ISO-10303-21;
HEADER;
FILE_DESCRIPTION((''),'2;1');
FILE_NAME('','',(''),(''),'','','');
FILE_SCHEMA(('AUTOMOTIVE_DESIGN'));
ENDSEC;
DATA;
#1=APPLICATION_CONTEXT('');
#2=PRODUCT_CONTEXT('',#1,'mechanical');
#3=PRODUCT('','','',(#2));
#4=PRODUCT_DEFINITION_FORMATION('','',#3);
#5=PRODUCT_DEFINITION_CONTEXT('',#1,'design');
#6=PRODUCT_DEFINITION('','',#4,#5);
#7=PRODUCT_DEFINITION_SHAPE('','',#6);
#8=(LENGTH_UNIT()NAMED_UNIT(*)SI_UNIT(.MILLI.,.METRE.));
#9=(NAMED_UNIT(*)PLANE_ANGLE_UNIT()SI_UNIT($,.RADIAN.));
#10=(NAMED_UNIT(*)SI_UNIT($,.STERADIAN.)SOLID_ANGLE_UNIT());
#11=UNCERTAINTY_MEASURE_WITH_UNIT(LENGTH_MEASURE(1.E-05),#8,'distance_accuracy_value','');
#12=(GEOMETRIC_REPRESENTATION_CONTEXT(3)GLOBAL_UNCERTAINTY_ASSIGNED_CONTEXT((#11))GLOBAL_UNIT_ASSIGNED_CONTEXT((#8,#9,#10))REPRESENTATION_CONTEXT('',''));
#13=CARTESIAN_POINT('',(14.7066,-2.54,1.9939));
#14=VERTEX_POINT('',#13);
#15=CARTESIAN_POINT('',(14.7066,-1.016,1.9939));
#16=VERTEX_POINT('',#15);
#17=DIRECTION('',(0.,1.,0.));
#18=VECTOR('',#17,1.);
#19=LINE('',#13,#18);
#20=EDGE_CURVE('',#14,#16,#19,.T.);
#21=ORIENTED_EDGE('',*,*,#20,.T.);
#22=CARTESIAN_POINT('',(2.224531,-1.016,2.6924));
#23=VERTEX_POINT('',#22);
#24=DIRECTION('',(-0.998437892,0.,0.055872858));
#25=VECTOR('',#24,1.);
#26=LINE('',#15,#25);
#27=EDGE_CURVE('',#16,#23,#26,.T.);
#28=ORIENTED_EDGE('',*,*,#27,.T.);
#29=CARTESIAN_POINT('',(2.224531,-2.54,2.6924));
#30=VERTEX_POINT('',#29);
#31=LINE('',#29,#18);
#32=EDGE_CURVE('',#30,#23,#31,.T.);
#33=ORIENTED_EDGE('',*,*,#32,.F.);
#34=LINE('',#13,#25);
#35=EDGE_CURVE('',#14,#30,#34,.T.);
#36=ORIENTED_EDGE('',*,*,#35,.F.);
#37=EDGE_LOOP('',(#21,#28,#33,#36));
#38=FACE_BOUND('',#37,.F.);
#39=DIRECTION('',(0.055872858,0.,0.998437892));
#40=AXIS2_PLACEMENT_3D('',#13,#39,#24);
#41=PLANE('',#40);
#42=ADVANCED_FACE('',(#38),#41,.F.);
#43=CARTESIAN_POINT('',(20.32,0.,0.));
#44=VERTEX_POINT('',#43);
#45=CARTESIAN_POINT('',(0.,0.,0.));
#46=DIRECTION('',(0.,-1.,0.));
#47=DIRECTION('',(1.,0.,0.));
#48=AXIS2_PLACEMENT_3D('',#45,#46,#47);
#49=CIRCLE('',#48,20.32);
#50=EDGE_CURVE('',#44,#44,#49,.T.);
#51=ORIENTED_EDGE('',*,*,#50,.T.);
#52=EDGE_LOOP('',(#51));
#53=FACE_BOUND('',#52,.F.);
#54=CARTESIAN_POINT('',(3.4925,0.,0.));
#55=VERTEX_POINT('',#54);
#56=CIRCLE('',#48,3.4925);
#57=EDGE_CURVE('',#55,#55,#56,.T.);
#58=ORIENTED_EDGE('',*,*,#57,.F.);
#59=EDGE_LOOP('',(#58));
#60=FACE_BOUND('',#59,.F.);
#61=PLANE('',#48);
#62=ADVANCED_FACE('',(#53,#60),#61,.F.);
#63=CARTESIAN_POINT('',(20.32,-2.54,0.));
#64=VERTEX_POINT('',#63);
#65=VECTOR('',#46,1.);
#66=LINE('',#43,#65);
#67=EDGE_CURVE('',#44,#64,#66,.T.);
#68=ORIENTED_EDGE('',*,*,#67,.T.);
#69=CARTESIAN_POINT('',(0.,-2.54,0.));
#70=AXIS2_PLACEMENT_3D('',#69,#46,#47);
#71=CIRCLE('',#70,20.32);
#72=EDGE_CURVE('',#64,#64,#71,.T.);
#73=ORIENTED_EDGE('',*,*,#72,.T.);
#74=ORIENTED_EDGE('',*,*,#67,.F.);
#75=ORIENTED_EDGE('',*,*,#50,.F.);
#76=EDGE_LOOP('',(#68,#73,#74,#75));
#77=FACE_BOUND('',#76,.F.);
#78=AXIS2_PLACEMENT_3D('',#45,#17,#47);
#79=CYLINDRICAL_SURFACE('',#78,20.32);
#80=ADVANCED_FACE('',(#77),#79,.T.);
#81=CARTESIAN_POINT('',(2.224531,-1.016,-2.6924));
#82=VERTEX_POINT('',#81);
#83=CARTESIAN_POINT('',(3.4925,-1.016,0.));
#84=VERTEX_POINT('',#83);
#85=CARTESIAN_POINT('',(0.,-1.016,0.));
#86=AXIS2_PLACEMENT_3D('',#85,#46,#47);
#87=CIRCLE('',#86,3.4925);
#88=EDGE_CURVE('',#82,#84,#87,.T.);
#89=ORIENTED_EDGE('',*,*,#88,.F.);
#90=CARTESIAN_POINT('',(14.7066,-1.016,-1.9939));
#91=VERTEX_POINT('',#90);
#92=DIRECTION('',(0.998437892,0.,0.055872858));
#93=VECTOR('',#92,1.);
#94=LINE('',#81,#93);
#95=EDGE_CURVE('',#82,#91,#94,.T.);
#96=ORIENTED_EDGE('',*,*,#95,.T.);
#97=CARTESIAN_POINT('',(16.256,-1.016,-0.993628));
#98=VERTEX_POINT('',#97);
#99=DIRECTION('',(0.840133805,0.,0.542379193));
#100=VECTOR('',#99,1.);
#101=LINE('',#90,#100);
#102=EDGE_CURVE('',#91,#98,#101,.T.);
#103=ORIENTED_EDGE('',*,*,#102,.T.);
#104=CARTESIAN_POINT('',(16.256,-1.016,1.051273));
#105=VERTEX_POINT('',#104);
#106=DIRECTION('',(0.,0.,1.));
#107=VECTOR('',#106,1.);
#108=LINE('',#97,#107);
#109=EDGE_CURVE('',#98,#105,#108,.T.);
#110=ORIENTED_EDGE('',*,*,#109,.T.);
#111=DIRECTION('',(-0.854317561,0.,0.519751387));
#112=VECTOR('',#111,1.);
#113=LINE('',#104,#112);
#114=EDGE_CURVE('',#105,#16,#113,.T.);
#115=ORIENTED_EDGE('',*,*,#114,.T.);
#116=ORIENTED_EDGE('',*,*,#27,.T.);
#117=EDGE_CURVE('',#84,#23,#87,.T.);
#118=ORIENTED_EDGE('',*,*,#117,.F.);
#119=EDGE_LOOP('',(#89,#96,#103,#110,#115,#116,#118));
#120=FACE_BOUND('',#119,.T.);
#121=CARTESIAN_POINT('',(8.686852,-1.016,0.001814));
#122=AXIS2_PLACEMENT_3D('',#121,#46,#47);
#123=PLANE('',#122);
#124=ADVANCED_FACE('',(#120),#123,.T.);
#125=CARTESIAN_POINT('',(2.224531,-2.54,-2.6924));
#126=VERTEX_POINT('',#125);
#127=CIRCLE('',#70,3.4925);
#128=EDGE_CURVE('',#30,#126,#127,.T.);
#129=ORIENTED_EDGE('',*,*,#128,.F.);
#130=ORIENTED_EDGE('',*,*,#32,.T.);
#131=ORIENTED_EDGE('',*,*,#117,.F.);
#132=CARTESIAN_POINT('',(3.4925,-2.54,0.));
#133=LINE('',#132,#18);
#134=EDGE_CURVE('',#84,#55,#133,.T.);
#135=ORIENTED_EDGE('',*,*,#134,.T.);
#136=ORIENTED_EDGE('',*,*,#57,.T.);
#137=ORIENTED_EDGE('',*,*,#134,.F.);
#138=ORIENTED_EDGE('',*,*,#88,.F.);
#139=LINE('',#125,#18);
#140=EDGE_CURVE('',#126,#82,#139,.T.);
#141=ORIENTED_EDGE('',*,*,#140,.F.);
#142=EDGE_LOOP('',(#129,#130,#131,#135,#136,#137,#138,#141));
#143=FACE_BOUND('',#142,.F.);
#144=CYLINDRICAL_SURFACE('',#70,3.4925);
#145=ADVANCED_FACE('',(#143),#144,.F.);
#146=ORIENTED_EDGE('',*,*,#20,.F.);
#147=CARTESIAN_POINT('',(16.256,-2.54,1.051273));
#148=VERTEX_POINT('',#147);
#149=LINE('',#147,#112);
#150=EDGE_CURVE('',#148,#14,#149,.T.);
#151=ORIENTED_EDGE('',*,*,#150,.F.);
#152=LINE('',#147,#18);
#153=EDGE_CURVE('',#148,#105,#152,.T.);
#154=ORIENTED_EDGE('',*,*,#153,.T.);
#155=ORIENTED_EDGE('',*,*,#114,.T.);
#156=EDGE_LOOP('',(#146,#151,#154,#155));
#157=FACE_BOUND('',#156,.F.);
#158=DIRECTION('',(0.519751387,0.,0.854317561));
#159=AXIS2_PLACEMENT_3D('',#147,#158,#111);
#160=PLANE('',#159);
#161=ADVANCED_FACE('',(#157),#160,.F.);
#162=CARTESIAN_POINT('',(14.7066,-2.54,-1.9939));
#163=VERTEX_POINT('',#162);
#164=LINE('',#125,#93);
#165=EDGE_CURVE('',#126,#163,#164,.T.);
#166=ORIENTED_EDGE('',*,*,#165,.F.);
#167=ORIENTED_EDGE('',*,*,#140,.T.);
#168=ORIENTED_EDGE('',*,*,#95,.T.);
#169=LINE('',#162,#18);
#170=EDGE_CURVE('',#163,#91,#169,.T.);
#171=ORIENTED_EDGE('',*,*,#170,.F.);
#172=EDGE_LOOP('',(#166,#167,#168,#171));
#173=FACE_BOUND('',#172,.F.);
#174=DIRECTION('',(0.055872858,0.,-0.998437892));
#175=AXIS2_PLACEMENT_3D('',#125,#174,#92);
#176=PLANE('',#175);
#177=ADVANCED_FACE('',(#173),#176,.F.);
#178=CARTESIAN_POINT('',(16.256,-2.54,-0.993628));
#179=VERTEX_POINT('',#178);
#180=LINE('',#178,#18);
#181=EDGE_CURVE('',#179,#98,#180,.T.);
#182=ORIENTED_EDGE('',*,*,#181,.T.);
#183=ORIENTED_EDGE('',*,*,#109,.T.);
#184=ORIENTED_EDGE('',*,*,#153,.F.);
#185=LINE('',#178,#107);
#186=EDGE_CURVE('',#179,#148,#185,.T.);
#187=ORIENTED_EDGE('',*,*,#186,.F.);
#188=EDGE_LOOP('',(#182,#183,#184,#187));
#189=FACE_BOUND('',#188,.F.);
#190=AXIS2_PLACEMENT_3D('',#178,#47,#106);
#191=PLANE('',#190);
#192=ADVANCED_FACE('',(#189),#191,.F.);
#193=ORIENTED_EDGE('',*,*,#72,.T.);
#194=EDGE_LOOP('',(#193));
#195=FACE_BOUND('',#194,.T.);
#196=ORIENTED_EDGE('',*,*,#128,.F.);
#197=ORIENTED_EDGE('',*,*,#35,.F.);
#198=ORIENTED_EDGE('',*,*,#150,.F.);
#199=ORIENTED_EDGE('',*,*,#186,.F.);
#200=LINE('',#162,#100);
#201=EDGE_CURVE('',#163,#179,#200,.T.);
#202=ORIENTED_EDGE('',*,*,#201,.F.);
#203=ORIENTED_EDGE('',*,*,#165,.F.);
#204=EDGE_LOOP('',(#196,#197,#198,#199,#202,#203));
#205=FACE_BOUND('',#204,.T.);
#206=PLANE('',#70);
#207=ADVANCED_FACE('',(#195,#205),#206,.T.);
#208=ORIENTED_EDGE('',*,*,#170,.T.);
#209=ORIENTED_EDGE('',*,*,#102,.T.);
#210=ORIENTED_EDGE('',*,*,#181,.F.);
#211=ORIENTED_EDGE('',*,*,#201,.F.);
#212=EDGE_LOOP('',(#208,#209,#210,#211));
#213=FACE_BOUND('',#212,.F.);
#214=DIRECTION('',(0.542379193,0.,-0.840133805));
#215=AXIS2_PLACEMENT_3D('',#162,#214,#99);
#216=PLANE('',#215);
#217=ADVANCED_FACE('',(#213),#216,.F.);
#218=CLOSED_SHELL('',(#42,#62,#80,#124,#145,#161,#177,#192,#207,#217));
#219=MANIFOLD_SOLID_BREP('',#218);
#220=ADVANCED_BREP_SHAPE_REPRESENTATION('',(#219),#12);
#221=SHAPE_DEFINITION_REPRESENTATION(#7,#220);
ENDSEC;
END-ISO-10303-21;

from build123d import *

# Parameters (mm, degrees)
F0_R     = 20.32
F1_DEPTH = 2.54
F2_R     = 3.4925
F3_DEPTH = 25.4
F5_DEPTH = 1.524


with BuildPart() as f1:
    # F0 (on Front) → F1 (new body)
    with BuildSketch(Plane.XZ):
        Circle(F0_R)
    extrude(amount=F1_DEPTH)

    # F2 (on face) → F3 (cut)
    with BuildSketch(Plane.XZ.offset(2.54)):
        Circle(F2_R)
    extrude(amount=-F3_DEPTH, mode=Mode.SUBTRACT)

    # F4 (on face) → F5 (cut)
    with BuildSketch(Plane.XZ.offset(2.54)):
        Polygon((14.7066, 1.9939), (2.224531, 2.6924), (2.224531, -2.6924), (14.7066, -1.9939), (16.256, -0.993628), (16.256, 1.051273), align=None)
    extrude(amount=-F5_DEPTH, mode=Mode.SUBTRACT)


solid = f1.part
